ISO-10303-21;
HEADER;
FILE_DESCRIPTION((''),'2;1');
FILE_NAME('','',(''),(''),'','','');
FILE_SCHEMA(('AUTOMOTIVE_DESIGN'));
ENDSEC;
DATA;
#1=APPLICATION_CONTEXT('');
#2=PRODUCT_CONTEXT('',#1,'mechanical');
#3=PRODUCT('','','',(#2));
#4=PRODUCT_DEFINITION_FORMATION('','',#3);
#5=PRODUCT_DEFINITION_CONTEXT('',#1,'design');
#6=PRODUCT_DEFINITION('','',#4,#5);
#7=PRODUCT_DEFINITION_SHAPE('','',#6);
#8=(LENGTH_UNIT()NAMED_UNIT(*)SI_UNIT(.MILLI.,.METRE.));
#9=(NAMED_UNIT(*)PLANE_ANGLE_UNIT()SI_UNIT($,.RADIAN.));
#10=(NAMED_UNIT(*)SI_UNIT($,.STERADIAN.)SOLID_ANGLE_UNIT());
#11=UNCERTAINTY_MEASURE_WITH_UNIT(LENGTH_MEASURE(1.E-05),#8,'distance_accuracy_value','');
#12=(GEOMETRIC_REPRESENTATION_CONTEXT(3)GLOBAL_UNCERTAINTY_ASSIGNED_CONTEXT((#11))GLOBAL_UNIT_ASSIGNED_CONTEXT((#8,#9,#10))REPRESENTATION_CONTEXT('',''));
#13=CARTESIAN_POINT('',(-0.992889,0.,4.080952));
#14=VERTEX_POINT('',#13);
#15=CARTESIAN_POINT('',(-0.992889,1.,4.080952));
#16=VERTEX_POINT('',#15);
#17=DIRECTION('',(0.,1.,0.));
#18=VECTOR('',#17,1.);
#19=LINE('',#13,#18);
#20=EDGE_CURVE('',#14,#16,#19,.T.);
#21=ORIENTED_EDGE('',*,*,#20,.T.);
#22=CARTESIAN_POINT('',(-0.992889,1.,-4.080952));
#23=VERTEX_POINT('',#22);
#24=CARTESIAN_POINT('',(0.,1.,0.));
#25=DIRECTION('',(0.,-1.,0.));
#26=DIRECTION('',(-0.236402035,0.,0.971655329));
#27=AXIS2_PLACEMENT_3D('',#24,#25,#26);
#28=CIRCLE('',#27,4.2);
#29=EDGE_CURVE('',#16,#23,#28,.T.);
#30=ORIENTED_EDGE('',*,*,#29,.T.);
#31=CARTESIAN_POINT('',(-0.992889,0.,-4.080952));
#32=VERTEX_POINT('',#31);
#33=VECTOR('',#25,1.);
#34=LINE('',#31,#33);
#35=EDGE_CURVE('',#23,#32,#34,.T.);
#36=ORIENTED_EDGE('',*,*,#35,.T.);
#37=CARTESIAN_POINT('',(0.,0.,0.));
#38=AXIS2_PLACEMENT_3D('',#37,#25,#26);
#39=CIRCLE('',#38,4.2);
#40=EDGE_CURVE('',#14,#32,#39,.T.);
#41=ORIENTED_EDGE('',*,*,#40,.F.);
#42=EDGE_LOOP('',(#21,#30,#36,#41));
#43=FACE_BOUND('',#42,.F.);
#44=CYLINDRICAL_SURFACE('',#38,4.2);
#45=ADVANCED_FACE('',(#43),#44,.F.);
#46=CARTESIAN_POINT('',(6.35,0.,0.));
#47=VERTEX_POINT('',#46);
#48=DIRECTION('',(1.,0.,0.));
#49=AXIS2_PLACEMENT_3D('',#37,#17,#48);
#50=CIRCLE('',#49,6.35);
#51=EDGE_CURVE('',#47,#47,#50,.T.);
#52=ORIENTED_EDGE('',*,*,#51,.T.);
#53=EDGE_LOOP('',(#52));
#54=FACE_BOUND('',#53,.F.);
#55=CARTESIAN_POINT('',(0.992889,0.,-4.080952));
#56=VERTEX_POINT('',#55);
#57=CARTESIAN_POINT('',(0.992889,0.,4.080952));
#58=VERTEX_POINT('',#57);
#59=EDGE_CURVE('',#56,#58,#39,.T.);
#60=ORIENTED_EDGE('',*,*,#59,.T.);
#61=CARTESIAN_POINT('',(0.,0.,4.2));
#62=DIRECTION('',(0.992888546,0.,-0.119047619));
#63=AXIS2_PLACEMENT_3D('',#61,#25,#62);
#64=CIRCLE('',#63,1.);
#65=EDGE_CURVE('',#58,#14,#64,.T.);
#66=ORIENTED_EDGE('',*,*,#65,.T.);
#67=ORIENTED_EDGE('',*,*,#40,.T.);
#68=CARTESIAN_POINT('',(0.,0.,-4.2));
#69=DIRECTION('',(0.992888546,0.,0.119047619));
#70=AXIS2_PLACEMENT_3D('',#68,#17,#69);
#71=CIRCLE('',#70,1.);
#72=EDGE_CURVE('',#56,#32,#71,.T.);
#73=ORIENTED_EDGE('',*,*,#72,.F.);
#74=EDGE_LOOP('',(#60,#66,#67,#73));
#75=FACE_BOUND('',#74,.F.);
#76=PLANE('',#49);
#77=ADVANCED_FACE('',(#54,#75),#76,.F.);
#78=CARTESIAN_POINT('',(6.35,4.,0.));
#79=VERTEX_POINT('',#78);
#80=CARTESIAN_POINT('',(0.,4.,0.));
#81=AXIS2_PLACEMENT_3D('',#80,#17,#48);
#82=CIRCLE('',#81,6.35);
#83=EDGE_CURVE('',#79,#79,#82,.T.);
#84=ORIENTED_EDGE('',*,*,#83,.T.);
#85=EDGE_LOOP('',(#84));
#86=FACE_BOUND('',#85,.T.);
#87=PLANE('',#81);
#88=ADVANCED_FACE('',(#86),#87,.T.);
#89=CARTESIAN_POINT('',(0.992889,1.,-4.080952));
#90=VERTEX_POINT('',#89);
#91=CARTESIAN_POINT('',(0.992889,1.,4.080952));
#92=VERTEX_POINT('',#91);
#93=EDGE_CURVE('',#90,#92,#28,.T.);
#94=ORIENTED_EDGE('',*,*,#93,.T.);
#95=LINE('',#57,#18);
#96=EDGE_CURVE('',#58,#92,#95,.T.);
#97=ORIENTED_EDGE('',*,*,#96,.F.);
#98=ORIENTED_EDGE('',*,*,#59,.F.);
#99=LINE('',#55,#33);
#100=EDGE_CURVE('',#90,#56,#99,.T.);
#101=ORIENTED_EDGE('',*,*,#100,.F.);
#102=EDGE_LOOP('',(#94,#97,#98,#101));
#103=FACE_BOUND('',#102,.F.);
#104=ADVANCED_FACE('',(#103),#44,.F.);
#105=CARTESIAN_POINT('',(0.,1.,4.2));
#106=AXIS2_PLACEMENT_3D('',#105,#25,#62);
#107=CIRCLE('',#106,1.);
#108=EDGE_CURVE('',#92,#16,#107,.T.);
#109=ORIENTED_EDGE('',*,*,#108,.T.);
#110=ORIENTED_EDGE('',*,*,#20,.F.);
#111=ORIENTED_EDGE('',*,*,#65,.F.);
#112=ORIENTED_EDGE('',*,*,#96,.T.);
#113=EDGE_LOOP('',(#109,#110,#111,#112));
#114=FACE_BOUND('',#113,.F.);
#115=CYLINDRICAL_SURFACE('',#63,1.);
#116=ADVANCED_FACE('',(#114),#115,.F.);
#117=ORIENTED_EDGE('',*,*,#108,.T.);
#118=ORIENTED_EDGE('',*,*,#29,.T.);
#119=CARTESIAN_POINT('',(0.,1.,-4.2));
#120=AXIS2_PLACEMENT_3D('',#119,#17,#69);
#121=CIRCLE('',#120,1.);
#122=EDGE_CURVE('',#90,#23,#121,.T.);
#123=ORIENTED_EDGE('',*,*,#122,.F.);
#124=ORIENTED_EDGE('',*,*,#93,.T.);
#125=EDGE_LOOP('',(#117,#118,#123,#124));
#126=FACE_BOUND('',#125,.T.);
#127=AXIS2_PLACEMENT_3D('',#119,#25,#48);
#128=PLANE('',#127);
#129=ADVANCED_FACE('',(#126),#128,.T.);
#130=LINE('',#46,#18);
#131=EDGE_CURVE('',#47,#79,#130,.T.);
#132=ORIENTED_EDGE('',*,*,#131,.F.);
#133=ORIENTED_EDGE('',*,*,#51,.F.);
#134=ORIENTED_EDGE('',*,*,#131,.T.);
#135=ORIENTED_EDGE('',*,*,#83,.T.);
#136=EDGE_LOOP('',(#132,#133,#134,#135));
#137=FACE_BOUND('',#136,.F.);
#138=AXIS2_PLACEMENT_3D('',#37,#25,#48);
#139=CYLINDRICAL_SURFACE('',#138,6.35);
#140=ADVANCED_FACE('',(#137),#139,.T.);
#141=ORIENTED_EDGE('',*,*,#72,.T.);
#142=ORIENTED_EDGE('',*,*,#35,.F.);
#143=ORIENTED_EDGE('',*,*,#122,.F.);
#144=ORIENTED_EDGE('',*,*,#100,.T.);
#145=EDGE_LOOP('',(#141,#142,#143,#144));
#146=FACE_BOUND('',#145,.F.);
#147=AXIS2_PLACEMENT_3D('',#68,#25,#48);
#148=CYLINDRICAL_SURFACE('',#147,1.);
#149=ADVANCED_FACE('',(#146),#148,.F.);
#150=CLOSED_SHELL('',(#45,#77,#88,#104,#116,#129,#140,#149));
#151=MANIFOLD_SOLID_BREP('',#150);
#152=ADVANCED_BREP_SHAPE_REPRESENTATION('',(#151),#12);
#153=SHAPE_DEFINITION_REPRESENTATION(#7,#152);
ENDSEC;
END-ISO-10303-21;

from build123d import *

# Parameters (mm, degrees)
SKETCH1_R           = 6.35
BOSS_EXTRUDE1_DEPTH = 4
SKETCH2_R           = 1
CUT_EXTRUDE2_DEPTH  = 1
SKETCH2_3_R         = 4.2
SKETCH2_3_R_2       = 1
CUT_EXTRUDE3_DEPTH  = 1


with BuildPart() as part:
    # Sketch1 → Boss-Extrude1 (new body)
    with BuildSketch(Plane(origin=(0, 0, 0), x_dir=(1, 0, 0), z_dir=(0, 1, 0))):
        Circle(SKETCH1_R)
    extrude(amount=BOSS_EXTRUDE1_DEPTH)

    # Sketch2 → Cut-Extrude2 (cut)
    with BuildSketch(Plane.XZ):
        with Locations((0, -4.2)):
            Circle(SKETCH2_R)
    extrude(amount=-CUT_EXTRUDE2_DEPTH, mode=Mode.SUBTRACT)

    # Sketch2<3> → Cut-Extrude3 (cut)
    with BuildSketch(Plane.XZ):
        Circle(SKETCH2_3_R)
        with Locations((0, 4.2)):
            Circle(SKETCH2_3_R_2)
    extrude(amount=-CUT_EXTRUDE3_DEPTH, mode=Mode.SUBTRACT)


solid = part.part
